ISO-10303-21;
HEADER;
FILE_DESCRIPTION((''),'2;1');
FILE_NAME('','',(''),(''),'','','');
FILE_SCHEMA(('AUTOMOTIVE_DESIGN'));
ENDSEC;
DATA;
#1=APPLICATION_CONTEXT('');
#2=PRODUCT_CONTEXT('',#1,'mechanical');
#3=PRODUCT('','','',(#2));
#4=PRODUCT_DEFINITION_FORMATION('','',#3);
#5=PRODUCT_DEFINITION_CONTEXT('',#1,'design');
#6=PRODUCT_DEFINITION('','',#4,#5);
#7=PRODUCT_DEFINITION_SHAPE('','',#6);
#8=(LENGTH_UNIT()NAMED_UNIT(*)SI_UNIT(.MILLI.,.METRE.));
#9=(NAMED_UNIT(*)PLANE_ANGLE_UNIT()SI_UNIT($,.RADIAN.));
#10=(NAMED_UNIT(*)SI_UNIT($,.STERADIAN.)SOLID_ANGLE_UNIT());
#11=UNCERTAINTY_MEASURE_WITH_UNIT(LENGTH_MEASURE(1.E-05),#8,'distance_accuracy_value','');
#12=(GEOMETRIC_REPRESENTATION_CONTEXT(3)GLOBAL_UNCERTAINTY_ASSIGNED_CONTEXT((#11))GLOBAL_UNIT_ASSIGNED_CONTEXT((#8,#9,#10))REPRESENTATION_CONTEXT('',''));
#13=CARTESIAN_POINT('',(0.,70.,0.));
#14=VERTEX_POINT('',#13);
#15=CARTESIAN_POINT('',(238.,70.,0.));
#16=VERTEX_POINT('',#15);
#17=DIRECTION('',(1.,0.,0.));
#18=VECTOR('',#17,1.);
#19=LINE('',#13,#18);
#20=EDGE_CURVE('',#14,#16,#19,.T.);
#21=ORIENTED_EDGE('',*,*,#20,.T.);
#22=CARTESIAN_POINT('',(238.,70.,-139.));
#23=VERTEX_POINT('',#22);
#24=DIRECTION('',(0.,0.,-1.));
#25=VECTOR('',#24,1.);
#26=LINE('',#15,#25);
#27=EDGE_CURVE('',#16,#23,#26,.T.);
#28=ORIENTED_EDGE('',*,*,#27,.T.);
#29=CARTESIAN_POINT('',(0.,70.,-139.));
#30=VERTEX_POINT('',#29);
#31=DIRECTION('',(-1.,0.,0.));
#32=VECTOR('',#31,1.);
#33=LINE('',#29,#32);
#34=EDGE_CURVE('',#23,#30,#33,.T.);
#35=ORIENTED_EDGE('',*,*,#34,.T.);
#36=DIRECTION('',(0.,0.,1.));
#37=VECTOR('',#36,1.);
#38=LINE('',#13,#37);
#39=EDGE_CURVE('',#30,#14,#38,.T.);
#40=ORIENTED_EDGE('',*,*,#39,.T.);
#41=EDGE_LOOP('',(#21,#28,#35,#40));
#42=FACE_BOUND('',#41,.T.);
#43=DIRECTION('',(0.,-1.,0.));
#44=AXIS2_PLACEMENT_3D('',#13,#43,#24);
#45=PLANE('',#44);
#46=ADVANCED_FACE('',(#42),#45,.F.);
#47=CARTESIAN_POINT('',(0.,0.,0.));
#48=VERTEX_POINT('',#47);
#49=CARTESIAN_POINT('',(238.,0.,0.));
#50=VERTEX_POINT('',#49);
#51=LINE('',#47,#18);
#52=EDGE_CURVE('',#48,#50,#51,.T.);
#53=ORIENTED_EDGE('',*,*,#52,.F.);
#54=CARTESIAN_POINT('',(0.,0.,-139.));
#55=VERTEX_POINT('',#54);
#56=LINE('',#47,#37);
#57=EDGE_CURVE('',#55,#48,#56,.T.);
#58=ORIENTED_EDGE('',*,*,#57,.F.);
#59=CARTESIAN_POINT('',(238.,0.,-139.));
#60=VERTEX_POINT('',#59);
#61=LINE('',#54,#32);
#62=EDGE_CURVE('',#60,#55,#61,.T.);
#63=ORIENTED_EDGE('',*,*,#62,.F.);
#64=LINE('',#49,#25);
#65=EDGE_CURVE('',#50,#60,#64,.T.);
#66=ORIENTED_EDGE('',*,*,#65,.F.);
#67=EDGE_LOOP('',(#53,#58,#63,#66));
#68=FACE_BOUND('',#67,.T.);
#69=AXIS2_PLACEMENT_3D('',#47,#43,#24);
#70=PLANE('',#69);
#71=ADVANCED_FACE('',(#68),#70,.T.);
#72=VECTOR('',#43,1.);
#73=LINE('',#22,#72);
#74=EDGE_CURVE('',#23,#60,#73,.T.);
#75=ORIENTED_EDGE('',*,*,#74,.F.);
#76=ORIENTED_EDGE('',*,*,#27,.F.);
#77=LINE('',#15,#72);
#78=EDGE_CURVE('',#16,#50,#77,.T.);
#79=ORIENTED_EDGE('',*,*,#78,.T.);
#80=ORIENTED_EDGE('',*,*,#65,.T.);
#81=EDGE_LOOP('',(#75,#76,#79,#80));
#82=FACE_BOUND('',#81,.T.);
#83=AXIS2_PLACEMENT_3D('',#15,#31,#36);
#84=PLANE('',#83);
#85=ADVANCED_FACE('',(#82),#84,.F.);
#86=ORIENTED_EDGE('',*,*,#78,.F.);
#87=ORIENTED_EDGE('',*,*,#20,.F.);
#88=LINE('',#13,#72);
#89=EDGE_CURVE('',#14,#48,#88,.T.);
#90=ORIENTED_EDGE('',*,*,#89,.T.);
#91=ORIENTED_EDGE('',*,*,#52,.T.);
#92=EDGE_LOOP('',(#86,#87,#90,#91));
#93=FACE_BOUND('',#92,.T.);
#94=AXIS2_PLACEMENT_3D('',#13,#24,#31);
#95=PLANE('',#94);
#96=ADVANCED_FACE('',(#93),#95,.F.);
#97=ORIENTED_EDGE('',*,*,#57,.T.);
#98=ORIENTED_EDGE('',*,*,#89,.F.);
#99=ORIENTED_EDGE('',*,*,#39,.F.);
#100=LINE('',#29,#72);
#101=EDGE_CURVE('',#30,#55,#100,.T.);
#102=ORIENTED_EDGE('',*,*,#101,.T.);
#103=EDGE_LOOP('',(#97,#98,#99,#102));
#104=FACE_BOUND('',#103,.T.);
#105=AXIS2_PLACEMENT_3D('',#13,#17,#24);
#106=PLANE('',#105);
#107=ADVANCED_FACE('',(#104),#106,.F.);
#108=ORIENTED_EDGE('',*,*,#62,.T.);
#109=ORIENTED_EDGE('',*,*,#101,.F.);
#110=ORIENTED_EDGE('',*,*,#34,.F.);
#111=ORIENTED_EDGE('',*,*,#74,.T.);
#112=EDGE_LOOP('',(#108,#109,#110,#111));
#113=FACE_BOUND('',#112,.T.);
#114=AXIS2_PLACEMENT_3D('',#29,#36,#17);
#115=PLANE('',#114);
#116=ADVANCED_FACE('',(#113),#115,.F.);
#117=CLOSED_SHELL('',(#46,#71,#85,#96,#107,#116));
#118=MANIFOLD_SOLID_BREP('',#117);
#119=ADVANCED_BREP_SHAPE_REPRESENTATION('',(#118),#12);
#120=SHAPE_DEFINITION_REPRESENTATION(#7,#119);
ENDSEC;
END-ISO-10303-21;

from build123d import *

# Parameters (mm, degrees)
SKETCH1_W           = 238
SKETCH1_H           = 139
BOSS_EXTRUDE1_DEPTH = 70


with BuildPart() as part:
    # Sketch1 → Boss-Extrude1 (new body)
    with BuildSketch(Plane(origin=(0, 0, 0), x_dir=(1, 0, 0), z_dir=(0, 1, 0))):
        with Locations((119, 69.5)):
            Rectangle(SKETCH1_W, SKETCH1_H)
    extrude(amount=BOSS_EXTRUDE1_DEPTH)


solid = part.part
